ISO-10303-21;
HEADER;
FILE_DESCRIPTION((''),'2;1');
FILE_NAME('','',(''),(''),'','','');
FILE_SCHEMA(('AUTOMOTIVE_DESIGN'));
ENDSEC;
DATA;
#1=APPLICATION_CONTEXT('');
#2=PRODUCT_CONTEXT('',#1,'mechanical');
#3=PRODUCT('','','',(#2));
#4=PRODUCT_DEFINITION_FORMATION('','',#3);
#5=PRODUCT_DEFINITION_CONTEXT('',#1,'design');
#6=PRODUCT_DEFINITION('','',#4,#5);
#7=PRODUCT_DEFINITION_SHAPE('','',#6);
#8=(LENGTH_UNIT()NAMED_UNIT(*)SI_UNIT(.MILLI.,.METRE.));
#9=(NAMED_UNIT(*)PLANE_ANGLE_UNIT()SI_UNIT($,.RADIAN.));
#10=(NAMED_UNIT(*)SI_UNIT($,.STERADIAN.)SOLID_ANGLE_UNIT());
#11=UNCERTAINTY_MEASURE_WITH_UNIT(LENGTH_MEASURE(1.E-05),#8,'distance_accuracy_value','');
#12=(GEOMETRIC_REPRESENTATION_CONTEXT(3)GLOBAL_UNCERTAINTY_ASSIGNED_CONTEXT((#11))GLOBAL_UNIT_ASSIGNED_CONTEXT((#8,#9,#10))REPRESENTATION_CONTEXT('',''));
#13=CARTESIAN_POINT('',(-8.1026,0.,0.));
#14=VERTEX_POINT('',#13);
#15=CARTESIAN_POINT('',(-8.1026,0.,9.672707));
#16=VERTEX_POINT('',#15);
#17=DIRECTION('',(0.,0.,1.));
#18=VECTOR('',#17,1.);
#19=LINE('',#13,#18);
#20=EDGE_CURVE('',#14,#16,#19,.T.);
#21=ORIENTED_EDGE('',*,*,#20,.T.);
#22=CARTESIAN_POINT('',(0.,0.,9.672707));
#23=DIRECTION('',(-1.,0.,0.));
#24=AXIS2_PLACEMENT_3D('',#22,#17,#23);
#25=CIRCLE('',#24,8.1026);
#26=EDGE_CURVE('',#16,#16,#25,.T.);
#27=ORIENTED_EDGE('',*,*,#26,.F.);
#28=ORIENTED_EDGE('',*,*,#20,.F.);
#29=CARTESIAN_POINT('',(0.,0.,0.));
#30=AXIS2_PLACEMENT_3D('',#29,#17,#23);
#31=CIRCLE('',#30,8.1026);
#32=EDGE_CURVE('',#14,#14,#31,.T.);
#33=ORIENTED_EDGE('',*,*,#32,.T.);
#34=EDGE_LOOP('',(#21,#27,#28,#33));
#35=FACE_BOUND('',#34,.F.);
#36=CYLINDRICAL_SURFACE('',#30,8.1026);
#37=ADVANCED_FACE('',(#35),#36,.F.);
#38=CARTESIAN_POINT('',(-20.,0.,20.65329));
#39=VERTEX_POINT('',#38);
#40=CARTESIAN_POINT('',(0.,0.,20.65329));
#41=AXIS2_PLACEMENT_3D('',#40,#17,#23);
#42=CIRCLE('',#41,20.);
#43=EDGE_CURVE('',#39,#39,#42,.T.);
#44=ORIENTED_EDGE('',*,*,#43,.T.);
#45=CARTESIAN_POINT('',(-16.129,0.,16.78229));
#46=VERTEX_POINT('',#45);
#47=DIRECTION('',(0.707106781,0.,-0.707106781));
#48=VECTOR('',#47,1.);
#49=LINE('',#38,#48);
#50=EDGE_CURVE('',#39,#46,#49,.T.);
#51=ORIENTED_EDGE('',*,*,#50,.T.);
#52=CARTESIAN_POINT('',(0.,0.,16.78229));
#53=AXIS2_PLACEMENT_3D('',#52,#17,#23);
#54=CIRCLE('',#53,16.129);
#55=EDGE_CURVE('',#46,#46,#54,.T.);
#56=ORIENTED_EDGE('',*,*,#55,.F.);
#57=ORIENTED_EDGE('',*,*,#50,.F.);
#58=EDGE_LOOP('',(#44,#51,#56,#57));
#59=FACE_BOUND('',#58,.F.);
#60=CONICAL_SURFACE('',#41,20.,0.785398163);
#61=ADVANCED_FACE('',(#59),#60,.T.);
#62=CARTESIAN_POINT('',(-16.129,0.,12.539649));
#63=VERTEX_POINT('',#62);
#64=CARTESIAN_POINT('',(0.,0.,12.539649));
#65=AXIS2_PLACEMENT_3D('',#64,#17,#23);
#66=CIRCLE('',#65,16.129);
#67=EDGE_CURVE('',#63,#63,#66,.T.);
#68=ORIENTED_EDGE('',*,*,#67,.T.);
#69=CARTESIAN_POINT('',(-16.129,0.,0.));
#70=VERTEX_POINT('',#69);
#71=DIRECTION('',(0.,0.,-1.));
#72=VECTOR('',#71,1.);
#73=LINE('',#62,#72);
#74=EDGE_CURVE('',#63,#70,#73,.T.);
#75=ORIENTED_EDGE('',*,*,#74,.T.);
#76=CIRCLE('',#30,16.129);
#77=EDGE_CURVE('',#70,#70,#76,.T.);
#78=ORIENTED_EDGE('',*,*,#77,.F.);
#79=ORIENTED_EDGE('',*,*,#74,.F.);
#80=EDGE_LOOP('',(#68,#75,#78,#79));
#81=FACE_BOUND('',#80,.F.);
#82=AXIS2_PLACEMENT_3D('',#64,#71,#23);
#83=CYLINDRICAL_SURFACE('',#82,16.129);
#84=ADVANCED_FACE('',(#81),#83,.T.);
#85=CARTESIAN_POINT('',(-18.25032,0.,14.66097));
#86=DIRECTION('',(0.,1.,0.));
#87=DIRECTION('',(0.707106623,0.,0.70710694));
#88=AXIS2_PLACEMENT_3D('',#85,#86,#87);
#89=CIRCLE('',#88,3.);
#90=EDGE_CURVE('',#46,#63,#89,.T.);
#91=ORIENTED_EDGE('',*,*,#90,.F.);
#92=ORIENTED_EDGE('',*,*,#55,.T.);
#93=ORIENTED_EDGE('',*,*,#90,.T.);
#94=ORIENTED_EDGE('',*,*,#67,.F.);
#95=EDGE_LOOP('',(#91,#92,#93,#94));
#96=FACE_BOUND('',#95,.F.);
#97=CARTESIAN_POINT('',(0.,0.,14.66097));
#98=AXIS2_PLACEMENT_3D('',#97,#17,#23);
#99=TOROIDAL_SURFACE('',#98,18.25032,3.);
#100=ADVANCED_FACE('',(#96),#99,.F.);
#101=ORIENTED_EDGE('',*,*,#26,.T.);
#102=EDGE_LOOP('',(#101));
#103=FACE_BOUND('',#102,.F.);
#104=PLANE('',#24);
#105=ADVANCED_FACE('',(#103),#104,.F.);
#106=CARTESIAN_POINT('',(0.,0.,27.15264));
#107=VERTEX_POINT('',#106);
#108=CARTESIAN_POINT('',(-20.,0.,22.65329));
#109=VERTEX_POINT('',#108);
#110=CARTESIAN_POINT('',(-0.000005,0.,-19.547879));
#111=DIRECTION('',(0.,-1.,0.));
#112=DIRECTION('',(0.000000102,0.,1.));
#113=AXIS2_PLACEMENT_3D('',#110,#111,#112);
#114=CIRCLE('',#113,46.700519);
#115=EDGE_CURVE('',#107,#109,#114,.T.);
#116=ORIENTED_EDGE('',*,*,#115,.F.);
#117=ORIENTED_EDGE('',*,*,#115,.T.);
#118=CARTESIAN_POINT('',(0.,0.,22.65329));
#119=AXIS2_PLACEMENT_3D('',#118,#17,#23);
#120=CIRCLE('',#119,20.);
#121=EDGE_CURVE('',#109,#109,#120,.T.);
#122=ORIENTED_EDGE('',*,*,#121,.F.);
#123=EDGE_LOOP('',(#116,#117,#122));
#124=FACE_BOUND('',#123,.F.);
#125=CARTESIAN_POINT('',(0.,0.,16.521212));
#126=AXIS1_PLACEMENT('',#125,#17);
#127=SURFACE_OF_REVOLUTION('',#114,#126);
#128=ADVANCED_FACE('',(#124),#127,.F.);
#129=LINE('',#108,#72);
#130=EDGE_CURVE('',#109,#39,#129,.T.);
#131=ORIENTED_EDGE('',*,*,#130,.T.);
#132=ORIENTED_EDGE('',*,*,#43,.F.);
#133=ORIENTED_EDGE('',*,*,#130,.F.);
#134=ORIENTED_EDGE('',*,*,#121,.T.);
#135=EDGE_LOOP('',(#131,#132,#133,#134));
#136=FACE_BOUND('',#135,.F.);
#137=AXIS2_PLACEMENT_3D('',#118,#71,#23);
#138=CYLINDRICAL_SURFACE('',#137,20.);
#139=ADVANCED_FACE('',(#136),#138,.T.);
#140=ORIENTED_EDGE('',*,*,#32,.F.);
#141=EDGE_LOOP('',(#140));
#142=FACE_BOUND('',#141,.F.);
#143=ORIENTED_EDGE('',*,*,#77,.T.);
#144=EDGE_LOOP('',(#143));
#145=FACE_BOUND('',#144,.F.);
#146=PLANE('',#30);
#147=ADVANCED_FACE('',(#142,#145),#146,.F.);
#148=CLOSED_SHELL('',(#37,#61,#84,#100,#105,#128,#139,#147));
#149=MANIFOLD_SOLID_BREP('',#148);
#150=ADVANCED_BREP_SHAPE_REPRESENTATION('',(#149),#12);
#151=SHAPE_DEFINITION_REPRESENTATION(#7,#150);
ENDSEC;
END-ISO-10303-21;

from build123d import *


with BuildPart() as f1:
    # F0 (on Front) → F1 (revolve)
    with BuildSketch(Plane.XZ):
        with BuildLine():
            Line((-8.1026, 9.672707), (0, 9.672707))
            Line((0, 9.672707), (0, 27.15264))
            ThreePointArc((0, 27.15264), (-10.249929, 26.01392), (-20, 22.65329))
            Line((-20, 22.65329), (-20, 20.65329))
            Line((-20, 20.65329), (-16.129, 16.78229))
            ThreePointArc((-16.129, 16.78229), (-15.25032, 14.66097), (-16.129, 12.539649))
            Line((-16.129, 12.539649), (-16.129, 0))
            Line((-16.129, 0), (-8.1026, 0))
            Line((-8.1026, 0), (-8.1026, 9.672707))
        make_face()
    revolve(axis=Axis((0, 0, 16.521212), (0, 0, 1)))


solid = f1.part
